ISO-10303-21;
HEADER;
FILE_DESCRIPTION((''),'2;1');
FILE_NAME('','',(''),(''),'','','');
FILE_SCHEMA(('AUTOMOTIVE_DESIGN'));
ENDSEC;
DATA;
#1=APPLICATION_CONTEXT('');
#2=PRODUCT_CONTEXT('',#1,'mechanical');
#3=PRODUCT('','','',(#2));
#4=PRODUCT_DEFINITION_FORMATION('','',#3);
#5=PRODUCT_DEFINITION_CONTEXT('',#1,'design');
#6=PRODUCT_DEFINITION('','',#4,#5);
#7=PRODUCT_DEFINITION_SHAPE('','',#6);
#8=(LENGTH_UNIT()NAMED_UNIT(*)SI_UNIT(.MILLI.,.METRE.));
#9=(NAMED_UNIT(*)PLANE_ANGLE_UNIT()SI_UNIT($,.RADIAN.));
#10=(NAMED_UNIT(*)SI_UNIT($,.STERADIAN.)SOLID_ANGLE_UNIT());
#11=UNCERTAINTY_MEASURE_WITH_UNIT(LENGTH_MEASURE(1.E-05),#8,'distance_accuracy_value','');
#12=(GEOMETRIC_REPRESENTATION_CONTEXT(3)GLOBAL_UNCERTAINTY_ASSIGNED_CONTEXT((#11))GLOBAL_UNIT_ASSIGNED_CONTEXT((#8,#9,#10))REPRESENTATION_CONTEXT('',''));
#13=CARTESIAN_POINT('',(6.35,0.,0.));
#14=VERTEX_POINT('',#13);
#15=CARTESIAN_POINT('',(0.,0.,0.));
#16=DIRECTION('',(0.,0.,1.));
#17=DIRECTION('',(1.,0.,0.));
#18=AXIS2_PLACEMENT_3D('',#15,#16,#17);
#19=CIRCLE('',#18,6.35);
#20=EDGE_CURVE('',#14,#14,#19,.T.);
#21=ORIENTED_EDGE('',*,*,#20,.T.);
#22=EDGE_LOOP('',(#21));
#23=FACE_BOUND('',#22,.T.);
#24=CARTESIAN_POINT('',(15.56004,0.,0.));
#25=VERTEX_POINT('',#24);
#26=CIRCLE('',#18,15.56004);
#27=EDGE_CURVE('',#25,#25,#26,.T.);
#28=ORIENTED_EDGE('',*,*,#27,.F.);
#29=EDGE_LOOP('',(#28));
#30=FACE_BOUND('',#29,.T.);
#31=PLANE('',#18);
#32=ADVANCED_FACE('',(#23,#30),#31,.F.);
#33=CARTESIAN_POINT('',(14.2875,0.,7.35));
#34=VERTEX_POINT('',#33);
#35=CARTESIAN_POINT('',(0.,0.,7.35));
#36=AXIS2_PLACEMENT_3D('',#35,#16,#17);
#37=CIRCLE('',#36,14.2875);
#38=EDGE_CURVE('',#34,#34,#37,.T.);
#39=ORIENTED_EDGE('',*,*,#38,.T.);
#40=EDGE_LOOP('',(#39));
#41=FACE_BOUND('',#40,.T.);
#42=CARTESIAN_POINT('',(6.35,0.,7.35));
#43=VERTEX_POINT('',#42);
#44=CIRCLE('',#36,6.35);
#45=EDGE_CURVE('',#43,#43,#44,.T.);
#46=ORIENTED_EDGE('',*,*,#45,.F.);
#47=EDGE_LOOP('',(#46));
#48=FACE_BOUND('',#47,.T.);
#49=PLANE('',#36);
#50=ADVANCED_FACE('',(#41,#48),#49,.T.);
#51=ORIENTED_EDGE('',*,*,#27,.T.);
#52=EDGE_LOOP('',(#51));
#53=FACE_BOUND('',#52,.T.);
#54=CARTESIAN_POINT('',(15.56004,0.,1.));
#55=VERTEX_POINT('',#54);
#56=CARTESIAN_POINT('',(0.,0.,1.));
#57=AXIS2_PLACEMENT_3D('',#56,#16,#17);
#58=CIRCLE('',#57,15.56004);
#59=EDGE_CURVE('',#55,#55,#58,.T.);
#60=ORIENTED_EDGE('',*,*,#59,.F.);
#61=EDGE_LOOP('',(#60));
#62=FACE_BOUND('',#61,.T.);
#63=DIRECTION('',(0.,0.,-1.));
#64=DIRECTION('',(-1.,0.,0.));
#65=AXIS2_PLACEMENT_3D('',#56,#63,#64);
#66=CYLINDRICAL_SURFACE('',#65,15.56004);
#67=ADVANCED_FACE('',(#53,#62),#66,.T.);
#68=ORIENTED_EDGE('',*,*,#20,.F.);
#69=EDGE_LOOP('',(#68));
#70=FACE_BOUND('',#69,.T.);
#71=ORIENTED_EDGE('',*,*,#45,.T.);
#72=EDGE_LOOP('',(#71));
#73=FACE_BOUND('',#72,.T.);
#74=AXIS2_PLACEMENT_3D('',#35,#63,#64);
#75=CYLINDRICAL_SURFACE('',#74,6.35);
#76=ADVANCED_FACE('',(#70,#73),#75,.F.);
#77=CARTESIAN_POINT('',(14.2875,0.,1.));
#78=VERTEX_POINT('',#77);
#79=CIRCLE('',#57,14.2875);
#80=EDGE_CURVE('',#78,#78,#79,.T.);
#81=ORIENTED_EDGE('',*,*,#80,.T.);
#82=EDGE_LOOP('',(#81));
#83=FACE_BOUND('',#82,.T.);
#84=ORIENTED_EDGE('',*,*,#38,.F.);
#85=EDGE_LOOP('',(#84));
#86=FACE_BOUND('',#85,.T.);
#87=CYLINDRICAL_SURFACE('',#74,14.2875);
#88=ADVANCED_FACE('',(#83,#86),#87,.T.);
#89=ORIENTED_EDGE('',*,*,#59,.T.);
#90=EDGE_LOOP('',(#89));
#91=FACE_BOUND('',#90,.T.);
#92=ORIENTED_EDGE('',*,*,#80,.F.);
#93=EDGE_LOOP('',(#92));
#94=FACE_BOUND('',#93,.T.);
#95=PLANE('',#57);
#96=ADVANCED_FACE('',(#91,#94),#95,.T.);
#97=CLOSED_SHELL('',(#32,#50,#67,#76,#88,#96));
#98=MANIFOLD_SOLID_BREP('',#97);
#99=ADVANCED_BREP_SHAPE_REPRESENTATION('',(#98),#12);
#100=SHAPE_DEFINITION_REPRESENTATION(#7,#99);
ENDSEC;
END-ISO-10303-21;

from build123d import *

# Parameters (mm, degrees)
SKETCH1_R           = 14.2875
SKETCH1_R_2         = 6.35
BOSS_EXTRUDE1_DEPTH = 7.35
SKETCH1_3_R         = 15.56004
SKETCH1_3_R_2       = 14.2875
BOSS_EXTRUDE2_DEPTH = 1


with BuildPart() as part:
    # Sketch1 → Boss-Extrude1 (new body)
    with BuildSketch(Plane.XY):
        Circle(SKETCH1_R)
        Circle(SKETCH1_R_2, mode=Mode.SUBTRACT)
    extrude(amount=BOSS_EXTRUDE1_DEPTH)

    # Sketch1<3> → Boss-Extrude2 (add)
    with BuildSketch(Plane.XY):
        Circle(SKETCH1_3_R)
        Circle(SKETCH1_3_R_2, mode=Mode.SUBTRACT)
    extrude(amount=BOSS_EXTRUDE2_DEPTH)


solid = part.part
